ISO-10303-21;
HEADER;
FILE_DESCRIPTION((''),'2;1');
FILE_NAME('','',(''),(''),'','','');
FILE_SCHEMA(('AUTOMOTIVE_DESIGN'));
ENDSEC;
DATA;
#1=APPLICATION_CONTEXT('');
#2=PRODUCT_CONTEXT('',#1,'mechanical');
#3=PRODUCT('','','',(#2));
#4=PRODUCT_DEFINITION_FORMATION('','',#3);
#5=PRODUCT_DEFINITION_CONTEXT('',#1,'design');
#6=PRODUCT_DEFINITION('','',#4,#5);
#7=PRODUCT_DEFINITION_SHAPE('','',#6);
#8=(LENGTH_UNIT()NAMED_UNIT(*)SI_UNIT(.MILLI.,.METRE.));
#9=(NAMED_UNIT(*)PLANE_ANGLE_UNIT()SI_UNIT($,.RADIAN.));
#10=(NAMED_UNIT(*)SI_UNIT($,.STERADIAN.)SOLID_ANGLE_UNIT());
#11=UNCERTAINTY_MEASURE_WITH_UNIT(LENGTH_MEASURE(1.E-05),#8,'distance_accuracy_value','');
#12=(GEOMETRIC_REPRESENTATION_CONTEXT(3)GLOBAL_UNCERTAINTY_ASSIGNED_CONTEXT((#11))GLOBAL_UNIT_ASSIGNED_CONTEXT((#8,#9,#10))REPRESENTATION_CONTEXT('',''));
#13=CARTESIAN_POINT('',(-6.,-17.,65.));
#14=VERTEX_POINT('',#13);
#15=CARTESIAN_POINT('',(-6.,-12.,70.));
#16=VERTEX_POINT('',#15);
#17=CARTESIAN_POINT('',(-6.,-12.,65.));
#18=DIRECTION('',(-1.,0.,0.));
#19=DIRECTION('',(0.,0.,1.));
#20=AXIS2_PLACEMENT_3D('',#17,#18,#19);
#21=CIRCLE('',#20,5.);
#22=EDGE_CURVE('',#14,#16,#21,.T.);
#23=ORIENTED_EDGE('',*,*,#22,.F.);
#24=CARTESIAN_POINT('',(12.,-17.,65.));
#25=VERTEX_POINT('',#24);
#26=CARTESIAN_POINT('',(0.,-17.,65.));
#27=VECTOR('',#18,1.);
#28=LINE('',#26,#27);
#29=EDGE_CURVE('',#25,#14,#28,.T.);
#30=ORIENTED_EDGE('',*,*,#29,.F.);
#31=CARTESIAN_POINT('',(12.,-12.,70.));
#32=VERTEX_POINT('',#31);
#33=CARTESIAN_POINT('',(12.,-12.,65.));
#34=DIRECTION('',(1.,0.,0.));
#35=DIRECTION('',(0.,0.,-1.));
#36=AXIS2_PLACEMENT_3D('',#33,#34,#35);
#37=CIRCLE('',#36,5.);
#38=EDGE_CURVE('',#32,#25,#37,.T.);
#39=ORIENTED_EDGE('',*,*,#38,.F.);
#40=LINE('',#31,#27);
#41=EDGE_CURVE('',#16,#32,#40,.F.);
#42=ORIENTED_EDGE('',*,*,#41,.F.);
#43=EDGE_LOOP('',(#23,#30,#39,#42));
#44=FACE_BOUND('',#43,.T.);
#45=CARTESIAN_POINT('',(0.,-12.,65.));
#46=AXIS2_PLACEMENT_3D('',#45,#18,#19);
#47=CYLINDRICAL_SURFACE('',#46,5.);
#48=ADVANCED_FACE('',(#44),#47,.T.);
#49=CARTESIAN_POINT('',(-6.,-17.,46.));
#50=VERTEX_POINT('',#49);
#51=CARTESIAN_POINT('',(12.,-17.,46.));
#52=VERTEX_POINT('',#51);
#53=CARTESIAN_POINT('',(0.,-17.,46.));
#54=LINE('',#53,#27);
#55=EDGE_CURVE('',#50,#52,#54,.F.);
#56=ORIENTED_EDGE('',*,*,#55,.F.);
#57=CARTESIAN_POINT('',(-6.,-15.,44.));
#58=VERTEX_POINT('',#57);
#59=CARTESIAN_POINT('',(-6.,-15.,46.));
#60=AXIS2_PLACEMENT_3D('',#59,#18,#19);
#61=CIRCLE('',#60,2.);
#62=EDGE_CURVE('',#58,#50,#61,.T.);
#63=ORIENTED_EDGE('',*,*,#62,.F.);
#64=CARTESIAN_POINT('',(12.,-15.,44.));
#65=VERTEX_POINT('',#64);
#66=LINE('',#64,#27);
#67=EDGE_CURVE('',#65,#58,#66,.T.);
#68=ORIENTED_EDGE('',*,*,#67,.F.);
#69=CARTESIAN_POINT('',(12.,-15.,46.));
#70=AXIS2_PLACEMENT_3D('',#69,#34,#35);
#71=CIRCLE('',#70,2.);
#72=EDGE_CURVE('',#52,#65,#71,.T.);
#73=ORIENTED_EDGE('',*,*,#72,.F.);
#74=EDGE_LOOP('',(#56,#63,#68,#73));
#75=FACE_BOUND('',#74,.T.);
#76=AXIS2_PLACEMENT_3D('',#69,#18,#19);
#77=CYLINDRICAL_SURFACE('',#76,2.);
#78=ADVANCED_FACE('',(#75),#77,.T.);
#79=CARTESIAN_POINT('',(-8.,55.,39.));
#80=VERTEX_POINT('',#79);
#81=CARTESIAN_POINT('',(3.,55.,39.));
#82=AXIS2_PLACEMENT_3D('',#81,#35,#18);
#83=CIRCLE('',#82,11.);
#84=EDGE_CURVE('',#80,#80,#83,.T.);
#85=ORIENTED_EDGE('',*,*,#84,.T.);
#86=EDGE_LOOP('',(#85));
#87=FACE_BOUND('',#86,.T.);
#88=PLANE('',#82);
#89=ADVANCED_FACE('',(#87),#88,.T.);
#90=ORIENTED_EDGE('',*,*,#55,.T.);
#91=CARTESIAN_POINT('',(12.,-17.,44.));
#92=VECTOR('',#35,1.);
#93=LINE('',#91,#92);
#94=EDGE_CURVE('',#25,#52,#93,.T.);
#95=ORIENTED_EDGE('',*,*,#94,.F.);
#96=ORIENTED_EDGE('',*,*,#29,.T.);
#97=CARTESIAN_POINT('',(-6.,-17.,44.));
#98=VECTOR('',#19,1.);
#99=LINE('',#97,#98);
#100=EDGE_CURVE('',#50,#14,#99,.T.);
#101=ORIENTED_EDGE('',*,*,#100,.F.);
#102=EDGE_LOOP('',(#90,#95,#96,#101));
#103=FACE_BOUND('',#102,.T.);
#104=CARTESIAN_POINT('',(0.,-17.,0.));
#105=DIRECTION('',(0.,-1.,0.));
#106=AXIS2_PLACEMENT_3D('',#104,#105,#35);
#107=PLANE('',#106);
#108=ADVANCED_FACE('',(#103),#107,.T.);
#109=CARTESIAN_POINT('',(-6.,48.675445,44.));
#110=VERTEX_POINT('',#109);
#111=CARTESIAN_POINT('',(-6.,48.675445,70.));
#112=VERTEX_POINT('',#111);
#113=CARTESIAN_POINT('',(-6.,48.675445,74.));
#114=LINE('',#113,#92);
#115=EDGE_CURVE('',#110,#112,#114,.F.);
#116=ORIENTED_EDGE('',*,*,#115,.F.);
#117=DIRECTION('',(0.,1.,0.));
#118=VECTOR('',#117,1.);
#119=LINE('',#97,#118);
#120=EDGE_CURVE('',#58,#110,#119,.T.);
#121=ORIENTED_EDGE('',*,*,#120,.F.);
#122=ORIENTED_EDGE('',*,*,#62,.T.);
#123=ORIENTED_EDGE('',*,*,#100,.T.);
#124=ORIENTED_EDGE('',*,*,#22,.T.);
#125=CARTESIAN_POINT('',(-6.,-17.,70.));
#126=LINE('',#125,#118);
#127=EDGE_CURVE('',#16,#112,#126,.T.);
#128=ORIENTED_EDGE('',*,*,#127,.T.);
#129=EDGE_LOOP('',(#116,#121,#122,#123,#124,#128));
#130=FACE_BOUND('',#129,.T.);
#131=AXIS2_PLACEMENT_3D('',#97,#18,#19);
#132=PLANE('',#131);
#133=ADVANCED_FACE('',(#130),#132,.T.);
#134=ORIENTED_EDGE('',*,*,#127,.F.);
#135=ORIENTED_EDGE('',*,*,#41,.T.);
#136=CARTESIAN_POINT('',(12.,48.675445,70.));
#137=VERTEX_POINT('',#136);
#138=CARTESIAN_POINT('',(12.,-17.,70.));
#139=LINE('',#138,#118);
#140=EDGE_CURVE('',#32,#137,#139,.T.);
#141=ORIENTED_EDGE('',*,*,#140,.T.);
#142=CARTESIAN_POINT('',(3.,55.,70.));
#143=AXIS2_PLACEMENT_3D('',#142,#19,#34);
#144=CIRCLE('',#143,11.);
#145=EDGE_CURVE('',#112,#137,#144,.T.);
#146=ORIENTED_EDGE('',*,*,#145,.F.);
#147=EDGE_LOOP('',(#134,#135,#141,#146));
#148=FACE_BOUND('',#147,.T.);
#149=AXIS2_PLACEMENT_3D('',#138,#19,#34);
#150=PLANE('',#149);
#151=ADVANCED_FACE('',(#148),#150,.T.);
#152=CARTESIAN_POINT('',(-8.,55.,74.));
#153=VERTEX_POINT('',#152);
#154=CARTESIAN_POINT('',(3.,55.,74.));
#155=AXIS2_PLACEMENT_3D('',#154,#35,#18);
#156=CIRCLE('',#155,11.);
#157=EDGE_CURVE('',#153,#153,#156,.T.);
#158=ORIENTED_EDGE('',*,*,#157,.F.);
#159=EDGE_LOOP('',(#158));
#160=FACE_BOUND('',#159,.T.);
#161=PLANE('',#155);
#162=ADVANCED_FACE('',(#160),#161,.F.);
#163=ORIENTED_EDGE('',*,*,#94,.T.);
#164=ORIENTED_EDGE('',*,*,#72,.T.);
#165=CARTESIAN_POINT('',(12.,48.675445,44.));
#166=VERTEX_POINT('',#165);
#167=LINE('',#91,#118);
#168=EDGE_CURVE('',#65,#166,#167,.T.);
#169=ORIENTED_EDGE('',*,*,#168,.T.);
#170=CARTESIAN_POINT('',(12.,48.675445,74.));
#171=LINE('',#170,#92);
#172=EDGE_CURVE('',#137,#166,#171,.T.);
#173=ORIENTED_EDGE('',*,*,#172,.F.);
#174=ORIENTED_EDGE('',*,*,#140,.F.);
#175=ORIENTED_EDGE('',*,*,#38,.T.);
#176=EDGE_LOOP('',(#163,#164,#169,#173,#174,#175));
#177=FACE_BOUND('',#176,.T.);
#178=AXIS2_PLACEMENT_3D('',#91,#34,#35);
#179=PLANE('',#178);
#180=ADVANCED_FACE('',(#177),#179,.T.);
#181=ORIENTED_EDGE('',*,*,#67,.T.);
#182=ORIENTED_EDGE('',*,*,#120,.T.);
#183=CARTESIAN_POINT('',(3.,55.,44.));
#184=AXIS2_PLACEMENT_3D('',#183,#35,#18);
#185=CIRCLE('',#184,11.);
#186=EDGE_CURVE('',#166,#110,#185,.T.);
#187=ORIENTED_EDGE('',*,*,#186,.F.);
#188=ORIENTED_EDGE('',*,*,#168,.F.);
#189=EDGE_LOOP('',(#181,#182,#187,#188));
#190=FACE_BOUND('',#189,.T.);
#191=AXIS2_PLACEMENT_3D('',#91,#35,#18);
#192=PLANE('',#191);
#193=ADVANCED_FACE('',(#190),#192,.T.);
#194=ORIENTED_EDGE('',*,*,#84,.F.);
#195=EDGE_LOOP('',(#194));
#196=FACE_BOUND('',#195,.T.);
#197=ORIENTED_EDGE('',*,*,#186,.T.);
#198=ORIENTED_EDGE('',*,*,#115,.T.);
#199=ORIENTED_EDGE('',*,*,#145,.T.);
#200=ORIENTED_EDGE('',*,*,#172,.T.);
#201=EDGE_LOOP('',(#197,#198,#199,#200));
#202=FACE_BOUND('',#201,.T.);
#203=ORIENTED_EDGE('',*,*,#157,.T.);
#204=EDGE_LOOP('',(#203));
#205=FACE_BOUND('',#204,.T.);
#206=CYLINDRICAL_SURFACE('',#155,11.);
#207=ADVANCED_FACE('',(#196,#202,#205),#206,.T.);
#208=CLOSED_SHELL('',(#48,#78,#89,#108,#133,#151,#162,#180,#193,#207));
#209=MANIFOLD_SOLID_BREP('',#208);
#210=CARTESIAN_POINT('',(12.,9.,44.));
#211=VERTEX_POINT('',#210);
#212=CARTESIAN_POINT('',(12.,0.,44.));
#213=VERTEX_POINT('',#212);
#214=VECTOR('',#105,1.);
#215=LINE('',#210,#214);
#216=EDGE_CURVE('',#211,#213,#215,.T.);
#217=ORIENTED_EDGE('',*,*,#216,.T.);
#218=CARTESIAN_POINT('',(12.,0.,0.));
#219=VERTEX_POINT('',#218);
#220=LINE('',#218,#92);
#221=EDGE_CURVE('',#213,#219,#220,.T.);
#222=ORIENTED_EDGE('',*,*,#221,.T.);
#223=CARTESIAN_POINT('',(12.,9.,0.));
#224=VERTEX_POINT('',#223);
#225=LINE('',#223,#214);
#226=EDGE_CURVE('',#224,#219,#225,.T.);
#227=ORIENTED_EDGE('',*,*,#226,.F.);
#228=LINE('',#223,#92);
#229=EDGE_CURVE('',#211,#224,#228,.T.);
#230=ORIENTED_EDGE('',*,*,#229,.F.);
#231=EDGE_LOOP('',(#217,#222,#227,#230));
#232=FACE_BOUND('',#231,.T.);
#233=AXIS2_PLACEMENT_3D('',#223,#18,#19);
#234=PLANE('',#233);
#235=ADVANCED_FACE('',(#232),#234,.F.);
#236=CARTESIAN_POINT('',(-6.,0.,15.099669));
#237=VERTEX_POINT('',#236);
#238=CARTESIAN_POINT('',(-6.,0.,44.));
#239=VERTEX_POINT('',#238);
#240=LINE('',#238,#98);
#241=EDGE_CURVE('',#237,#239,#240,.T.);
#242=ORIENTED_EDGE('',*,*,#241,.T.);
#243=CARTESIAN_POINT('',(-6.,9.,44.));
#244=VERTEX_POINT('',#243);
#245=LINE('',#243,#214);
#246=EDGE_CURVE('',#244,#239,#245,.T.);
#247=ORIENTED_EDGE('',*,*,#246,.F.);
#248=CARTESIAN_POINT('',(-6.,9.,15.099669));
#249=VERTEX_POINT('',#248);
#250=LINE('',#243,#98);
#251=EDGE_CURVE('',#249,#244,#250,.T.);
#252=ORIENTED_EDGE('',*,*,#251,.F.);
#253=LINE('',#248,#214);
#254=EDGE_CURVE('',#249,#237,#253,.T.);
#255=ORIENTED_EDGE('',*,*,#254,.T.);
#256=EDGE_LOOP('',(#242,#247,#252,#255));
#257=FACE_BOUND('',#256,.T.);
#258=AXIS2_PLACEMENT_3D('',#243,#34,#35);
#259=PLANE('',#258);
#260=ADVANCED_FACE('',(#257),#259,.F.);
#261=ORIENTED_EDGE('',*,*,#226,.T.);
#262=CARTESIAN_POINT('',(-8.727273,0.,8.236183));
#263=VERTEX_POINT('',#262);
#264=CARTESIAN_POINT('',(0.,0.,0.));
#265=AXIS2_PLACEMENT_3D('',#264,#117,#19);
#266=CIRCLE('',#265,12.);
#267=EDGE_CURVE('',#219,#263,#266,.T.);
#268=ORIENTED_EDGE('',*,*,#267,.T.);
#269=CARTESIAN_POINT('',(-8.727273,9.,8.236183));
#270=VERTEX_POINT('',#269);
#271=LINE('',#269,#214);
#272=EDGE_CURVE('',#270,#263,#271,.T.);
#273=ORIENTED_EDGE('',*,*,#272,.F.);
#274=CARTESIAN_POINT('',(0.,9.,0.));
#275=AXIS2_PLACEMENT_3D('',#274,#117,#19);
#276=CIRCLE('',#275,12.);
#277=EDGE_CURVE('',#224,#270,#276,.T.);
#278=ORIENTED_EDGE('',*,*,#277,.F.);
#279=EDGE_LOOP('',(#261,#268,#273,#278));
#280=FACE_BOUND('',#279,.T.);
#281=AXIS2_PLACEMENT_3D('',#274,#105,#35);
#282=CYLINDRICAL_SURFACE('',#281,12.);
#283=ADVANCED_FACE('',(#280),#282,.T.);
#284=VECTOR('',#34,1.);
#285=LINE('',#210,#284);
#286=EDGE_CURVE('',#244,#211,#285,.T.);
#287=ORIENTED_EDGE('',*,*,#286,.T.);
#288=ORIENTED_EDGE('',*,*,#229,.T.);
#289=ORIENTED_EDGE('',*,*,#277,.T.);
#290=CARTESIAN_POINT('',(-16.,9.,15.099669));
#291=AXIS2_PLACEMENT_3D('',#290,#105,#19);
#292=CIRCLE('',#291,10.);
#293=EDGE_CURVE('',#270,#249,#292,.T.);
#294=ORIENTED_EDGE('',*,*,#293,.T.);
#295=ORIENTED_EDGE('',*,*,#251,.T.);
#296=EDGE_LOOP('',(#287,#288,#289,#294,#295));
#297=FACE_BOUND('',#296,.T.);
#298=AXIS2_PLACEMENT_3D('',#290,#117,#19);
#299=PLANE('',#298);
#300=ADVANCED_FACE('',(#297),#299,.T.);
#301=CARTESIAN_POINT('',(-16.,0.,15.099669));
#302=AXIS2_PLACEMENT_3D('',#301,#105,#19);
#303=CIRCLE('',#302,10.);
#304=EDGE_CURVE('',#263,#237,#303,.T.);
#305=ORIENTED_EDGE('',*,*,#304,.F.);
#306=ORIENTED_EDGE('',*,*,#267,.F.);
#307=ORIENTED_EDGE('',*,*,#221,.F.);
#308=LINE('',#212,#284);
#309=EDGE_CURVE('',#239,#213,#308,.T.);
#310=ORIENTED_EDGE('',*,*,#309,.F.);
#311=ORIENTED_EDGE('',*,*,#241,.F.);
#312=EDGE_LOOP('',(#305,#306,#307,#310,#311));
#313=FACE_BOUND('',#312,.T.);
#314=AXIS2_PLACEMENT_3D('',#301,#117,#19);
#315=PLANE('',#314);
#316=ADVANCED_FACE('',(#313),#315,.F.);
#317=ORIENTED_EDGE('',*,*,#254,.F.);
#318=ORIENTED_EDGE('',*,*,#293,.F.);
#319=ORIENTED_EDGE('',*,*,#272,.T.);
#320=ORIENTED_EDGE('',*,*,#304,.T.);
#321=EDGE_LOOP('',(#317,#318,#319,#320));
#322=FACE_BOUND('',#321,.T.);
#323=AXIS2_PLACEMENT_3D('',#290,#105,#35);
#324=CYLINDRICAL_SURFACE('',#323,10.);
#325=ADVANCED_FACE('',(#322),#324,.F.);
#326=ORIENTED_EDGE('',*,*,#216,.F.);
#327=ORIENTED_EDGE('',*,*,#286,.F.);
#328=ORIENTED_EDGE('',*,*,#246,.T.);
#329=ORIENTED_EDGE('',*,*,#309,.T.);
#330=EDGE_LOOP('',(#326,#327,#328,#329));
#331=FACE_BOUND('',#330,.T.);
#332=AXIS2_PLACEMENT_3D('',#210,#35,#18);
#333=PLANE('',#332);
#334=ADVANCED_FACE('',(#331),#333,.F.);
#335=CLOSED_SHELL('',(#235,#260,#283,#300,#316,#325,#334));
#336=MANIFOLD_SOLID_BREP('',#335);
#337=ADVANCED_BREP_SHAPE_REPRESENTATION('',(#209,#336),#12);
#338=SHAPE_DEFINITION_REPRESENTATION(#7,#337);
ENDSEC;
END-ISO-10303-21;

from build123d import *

# Parameters (mm, degrees)
BOSS_EXTRUDE1_DEPTH      = 9
BOSS_EXTRUDE2_DEPTH      = 40
BOSS_EXTRUDE2_DEPTH_BACK = 26
SKETCH2_W                = 18
SKETCH2_H                = 26
FILLET2_R                = 2
FILLET3_R                = 5
BOSS_EXTRUDE3_DEPTH      = 5
BOSS_EXTRUDE3_DEPTH_BACK = 30
SKETCH3_R                = 11


with BuildPart() as part:
    # Sketch1 → Boss-Extrude1 (new body)
    with BuildSketch(Plane(origin=(0, 0, 0), x_dir=(1, 0, 0), z_dir=(0, 1, 0))):
        with BuildLine():
            Line((12, 0), (12, -44))
            Line((12, -44), (-6, -44))
            Line((-6, -44), (-6, -15.099668871))
            ThreePointArc((-6, -15.099668871), (-6.706796227, -11.406924141), (-8.727272727, -8.23618302))
            ThreePointArc((-8.727272727, -8.23618302), (-4.431293675, 11.151844527), (12, 0))
        make_face()
    extrude(amount=BOSS_EXTRUDE1_DEPTH)


with BuildPart() as body_2:
    # Sketch2 → Boss-Extrude2 (new, two sides: drawn at the far end of the back side and taken through both)
    with BuildSketch(Plane(origin=(0, 9, 0), x_dir=(1, 0, 0), z_dir=(0, 1, 0)).offset(-BOSS_EXTRUDE2_DEPTH_BACK)):
        with Locations((3, -57)):
            Rectangle(SKETCH2_W, SKETCH2_H)
    extrude(amount=BOSS_EXTRUDE2_DEPTH + BOSS_EXTRUDE2_DEPTH_BACK)

    # Fillet2
    fillet2_edges = [body_2.edges().sort_by_distance(p)[0] for p in [
        (3, -17, 44),
    ]]
    fillet(fillet2_edges, radius=FILLET2_R)

    # Fillet3
    fillet3_edges = [body_2.edges().sort_by_distance(p)[0] for p in [
        (3, -17, 70),
    ]]
    fillet(fillet3_edges, radius=FILLET3_R)

    # Sketch3 → Boss-Extrude3 (add, two sides: drawn at the far end of the back side and taken through both)
    with BuildSketch(Plane(origin=(0, 0, 44), x_dir=(-1, 0, 0), z_dir=(0, 0, -1)).offset(-BOSS_EXTRUDE3_DEPTH_BACK)):
        with Locations((-3, 55)):
            Circle(SKETCH3_R)
    extrude(amount=BOSS_EXTRUDE3_DEPTH + BOSS_EXTRUDE3_DEPTH_BACK)


solid = Compound([part.part, body_2.part])
